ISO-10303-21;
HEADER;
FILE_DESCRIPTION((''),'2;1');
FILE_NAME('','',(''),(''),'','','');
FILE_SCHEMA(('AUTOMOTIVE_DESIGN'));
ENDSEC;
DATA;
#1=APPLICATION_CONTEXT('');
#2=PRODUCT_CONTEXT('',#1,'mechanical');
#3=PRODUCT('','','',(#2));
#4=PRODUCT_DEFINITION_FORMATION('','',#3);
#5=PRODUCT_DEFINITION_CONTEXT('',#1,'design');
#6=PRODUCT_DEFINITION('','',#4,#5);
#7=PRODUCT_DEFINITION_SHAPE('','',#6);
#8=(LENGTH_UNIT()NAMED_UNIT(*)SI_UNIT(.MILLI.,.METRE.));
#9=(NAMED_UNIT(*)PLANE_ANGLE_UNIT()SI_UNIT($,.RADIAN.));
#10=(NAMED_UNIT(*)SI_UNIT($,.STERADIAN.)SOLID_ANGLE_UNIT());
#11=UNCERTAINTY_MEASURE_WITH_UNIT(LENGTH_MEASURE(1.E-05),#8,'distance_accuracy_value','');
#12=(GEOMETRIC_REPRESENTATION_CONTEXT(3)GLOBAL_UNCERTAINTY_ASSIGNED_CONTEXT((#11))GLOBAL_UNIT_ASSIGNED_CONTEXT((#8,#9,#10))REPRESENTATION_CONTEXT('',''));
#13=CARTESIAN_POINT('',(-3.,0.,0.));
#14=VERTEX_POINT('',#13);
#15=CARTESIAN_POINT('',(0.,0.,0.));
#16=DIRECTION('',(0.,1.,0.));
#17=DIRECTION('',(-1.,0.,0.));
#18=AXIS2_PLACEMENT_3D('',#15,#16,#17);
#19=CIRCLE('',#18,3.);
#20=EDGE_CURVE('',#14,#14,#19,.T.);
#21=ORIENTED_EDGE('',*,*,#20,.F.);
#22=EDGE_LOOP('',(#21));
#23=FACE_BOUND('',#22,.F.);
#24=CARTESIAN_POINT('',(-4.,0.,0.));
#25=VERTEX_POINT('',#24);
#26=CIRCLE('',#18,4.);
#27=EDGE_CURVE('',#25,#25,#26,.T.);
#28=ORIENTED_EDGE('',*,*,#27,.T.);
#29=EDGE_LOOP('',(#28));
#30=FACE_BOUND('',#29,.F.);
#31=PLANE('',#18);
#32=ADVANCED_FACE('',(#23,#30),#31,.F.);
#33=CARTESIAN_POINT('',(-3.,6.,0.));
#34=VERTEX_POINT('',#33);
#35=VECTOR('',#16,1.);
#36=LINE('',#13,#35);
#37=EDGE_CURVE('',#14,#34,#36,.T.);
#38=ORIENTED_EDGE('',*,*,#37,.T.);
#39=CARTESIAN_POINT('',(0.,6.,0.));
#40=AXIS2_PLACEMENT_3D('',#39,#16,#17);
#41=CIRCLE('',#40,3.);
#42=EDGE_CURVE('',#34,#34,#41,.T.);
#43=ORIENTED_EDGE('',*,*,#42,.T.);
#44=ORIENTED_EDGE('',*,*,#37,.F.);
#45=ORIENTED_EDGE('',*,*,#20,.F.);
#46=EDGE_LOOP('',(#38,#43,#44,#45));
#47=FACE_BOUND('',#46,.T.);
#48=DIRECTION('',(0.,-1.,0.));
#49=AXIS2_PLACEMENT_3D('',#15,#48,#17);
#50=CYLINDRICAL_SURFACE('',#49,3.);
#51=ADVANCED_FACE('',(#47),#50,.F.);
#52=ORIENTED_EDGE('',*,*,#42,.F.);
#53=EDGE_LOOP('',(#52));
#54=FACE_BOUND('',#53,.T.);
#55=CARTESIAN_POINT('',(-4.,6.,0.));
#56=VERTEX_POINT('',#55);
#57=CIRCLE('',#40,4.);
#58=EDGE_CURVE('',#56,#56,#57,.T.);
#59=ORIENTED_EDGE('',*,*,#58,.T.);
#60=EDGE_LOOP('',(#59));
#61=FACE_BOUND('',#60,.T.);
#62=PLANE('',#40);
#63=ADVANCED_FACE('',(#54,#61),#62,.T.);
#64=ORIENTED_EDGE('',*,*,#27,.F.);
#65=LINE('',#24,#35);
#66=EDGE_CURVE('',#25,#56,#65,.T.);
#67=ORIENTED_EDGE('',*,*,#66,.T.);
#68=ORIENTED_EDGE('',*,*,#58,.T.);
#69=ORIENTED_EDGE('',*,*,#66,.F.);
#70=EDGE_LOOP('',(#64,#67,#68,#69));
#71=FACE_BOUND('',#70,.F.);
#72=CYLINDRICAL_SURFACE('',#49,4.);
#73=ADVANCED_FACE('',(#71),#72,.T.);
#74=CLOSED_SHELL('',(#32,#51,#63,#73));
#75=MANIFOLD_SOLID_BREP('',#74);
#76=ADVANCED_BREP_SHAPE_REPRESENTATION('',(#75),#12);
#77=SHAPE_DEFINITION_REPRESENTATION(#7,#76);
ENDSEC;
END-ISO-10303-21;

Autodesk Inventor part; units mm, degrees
ref_plane "YZ Plane" through (0, 0, 0) normal (1, 0, 0) x (0, 1, 0)
ref_plane "XZ Plane" through (0, 0, 0) normal (0, 1, 0) x (-1, 0, 0)
ref_plane "XY Plane" through (0, 0, 0) normal (0, 0, 1) x (1, 0, 0)
sketch "Szkic1" plane through (0, 0, 0) normal (0, 1, 0) x (-1, 0, 0)
  circle A0 centre (0, 0) radius 3
  circle A1 centre (0, 0) radius 4
  dimension "d0" = 6
  dimension "d1" = 8
extrude "Wyciągnięcie proste1" add sketch "Szkic1" along normal blind 6
properties part number "tuleja"
